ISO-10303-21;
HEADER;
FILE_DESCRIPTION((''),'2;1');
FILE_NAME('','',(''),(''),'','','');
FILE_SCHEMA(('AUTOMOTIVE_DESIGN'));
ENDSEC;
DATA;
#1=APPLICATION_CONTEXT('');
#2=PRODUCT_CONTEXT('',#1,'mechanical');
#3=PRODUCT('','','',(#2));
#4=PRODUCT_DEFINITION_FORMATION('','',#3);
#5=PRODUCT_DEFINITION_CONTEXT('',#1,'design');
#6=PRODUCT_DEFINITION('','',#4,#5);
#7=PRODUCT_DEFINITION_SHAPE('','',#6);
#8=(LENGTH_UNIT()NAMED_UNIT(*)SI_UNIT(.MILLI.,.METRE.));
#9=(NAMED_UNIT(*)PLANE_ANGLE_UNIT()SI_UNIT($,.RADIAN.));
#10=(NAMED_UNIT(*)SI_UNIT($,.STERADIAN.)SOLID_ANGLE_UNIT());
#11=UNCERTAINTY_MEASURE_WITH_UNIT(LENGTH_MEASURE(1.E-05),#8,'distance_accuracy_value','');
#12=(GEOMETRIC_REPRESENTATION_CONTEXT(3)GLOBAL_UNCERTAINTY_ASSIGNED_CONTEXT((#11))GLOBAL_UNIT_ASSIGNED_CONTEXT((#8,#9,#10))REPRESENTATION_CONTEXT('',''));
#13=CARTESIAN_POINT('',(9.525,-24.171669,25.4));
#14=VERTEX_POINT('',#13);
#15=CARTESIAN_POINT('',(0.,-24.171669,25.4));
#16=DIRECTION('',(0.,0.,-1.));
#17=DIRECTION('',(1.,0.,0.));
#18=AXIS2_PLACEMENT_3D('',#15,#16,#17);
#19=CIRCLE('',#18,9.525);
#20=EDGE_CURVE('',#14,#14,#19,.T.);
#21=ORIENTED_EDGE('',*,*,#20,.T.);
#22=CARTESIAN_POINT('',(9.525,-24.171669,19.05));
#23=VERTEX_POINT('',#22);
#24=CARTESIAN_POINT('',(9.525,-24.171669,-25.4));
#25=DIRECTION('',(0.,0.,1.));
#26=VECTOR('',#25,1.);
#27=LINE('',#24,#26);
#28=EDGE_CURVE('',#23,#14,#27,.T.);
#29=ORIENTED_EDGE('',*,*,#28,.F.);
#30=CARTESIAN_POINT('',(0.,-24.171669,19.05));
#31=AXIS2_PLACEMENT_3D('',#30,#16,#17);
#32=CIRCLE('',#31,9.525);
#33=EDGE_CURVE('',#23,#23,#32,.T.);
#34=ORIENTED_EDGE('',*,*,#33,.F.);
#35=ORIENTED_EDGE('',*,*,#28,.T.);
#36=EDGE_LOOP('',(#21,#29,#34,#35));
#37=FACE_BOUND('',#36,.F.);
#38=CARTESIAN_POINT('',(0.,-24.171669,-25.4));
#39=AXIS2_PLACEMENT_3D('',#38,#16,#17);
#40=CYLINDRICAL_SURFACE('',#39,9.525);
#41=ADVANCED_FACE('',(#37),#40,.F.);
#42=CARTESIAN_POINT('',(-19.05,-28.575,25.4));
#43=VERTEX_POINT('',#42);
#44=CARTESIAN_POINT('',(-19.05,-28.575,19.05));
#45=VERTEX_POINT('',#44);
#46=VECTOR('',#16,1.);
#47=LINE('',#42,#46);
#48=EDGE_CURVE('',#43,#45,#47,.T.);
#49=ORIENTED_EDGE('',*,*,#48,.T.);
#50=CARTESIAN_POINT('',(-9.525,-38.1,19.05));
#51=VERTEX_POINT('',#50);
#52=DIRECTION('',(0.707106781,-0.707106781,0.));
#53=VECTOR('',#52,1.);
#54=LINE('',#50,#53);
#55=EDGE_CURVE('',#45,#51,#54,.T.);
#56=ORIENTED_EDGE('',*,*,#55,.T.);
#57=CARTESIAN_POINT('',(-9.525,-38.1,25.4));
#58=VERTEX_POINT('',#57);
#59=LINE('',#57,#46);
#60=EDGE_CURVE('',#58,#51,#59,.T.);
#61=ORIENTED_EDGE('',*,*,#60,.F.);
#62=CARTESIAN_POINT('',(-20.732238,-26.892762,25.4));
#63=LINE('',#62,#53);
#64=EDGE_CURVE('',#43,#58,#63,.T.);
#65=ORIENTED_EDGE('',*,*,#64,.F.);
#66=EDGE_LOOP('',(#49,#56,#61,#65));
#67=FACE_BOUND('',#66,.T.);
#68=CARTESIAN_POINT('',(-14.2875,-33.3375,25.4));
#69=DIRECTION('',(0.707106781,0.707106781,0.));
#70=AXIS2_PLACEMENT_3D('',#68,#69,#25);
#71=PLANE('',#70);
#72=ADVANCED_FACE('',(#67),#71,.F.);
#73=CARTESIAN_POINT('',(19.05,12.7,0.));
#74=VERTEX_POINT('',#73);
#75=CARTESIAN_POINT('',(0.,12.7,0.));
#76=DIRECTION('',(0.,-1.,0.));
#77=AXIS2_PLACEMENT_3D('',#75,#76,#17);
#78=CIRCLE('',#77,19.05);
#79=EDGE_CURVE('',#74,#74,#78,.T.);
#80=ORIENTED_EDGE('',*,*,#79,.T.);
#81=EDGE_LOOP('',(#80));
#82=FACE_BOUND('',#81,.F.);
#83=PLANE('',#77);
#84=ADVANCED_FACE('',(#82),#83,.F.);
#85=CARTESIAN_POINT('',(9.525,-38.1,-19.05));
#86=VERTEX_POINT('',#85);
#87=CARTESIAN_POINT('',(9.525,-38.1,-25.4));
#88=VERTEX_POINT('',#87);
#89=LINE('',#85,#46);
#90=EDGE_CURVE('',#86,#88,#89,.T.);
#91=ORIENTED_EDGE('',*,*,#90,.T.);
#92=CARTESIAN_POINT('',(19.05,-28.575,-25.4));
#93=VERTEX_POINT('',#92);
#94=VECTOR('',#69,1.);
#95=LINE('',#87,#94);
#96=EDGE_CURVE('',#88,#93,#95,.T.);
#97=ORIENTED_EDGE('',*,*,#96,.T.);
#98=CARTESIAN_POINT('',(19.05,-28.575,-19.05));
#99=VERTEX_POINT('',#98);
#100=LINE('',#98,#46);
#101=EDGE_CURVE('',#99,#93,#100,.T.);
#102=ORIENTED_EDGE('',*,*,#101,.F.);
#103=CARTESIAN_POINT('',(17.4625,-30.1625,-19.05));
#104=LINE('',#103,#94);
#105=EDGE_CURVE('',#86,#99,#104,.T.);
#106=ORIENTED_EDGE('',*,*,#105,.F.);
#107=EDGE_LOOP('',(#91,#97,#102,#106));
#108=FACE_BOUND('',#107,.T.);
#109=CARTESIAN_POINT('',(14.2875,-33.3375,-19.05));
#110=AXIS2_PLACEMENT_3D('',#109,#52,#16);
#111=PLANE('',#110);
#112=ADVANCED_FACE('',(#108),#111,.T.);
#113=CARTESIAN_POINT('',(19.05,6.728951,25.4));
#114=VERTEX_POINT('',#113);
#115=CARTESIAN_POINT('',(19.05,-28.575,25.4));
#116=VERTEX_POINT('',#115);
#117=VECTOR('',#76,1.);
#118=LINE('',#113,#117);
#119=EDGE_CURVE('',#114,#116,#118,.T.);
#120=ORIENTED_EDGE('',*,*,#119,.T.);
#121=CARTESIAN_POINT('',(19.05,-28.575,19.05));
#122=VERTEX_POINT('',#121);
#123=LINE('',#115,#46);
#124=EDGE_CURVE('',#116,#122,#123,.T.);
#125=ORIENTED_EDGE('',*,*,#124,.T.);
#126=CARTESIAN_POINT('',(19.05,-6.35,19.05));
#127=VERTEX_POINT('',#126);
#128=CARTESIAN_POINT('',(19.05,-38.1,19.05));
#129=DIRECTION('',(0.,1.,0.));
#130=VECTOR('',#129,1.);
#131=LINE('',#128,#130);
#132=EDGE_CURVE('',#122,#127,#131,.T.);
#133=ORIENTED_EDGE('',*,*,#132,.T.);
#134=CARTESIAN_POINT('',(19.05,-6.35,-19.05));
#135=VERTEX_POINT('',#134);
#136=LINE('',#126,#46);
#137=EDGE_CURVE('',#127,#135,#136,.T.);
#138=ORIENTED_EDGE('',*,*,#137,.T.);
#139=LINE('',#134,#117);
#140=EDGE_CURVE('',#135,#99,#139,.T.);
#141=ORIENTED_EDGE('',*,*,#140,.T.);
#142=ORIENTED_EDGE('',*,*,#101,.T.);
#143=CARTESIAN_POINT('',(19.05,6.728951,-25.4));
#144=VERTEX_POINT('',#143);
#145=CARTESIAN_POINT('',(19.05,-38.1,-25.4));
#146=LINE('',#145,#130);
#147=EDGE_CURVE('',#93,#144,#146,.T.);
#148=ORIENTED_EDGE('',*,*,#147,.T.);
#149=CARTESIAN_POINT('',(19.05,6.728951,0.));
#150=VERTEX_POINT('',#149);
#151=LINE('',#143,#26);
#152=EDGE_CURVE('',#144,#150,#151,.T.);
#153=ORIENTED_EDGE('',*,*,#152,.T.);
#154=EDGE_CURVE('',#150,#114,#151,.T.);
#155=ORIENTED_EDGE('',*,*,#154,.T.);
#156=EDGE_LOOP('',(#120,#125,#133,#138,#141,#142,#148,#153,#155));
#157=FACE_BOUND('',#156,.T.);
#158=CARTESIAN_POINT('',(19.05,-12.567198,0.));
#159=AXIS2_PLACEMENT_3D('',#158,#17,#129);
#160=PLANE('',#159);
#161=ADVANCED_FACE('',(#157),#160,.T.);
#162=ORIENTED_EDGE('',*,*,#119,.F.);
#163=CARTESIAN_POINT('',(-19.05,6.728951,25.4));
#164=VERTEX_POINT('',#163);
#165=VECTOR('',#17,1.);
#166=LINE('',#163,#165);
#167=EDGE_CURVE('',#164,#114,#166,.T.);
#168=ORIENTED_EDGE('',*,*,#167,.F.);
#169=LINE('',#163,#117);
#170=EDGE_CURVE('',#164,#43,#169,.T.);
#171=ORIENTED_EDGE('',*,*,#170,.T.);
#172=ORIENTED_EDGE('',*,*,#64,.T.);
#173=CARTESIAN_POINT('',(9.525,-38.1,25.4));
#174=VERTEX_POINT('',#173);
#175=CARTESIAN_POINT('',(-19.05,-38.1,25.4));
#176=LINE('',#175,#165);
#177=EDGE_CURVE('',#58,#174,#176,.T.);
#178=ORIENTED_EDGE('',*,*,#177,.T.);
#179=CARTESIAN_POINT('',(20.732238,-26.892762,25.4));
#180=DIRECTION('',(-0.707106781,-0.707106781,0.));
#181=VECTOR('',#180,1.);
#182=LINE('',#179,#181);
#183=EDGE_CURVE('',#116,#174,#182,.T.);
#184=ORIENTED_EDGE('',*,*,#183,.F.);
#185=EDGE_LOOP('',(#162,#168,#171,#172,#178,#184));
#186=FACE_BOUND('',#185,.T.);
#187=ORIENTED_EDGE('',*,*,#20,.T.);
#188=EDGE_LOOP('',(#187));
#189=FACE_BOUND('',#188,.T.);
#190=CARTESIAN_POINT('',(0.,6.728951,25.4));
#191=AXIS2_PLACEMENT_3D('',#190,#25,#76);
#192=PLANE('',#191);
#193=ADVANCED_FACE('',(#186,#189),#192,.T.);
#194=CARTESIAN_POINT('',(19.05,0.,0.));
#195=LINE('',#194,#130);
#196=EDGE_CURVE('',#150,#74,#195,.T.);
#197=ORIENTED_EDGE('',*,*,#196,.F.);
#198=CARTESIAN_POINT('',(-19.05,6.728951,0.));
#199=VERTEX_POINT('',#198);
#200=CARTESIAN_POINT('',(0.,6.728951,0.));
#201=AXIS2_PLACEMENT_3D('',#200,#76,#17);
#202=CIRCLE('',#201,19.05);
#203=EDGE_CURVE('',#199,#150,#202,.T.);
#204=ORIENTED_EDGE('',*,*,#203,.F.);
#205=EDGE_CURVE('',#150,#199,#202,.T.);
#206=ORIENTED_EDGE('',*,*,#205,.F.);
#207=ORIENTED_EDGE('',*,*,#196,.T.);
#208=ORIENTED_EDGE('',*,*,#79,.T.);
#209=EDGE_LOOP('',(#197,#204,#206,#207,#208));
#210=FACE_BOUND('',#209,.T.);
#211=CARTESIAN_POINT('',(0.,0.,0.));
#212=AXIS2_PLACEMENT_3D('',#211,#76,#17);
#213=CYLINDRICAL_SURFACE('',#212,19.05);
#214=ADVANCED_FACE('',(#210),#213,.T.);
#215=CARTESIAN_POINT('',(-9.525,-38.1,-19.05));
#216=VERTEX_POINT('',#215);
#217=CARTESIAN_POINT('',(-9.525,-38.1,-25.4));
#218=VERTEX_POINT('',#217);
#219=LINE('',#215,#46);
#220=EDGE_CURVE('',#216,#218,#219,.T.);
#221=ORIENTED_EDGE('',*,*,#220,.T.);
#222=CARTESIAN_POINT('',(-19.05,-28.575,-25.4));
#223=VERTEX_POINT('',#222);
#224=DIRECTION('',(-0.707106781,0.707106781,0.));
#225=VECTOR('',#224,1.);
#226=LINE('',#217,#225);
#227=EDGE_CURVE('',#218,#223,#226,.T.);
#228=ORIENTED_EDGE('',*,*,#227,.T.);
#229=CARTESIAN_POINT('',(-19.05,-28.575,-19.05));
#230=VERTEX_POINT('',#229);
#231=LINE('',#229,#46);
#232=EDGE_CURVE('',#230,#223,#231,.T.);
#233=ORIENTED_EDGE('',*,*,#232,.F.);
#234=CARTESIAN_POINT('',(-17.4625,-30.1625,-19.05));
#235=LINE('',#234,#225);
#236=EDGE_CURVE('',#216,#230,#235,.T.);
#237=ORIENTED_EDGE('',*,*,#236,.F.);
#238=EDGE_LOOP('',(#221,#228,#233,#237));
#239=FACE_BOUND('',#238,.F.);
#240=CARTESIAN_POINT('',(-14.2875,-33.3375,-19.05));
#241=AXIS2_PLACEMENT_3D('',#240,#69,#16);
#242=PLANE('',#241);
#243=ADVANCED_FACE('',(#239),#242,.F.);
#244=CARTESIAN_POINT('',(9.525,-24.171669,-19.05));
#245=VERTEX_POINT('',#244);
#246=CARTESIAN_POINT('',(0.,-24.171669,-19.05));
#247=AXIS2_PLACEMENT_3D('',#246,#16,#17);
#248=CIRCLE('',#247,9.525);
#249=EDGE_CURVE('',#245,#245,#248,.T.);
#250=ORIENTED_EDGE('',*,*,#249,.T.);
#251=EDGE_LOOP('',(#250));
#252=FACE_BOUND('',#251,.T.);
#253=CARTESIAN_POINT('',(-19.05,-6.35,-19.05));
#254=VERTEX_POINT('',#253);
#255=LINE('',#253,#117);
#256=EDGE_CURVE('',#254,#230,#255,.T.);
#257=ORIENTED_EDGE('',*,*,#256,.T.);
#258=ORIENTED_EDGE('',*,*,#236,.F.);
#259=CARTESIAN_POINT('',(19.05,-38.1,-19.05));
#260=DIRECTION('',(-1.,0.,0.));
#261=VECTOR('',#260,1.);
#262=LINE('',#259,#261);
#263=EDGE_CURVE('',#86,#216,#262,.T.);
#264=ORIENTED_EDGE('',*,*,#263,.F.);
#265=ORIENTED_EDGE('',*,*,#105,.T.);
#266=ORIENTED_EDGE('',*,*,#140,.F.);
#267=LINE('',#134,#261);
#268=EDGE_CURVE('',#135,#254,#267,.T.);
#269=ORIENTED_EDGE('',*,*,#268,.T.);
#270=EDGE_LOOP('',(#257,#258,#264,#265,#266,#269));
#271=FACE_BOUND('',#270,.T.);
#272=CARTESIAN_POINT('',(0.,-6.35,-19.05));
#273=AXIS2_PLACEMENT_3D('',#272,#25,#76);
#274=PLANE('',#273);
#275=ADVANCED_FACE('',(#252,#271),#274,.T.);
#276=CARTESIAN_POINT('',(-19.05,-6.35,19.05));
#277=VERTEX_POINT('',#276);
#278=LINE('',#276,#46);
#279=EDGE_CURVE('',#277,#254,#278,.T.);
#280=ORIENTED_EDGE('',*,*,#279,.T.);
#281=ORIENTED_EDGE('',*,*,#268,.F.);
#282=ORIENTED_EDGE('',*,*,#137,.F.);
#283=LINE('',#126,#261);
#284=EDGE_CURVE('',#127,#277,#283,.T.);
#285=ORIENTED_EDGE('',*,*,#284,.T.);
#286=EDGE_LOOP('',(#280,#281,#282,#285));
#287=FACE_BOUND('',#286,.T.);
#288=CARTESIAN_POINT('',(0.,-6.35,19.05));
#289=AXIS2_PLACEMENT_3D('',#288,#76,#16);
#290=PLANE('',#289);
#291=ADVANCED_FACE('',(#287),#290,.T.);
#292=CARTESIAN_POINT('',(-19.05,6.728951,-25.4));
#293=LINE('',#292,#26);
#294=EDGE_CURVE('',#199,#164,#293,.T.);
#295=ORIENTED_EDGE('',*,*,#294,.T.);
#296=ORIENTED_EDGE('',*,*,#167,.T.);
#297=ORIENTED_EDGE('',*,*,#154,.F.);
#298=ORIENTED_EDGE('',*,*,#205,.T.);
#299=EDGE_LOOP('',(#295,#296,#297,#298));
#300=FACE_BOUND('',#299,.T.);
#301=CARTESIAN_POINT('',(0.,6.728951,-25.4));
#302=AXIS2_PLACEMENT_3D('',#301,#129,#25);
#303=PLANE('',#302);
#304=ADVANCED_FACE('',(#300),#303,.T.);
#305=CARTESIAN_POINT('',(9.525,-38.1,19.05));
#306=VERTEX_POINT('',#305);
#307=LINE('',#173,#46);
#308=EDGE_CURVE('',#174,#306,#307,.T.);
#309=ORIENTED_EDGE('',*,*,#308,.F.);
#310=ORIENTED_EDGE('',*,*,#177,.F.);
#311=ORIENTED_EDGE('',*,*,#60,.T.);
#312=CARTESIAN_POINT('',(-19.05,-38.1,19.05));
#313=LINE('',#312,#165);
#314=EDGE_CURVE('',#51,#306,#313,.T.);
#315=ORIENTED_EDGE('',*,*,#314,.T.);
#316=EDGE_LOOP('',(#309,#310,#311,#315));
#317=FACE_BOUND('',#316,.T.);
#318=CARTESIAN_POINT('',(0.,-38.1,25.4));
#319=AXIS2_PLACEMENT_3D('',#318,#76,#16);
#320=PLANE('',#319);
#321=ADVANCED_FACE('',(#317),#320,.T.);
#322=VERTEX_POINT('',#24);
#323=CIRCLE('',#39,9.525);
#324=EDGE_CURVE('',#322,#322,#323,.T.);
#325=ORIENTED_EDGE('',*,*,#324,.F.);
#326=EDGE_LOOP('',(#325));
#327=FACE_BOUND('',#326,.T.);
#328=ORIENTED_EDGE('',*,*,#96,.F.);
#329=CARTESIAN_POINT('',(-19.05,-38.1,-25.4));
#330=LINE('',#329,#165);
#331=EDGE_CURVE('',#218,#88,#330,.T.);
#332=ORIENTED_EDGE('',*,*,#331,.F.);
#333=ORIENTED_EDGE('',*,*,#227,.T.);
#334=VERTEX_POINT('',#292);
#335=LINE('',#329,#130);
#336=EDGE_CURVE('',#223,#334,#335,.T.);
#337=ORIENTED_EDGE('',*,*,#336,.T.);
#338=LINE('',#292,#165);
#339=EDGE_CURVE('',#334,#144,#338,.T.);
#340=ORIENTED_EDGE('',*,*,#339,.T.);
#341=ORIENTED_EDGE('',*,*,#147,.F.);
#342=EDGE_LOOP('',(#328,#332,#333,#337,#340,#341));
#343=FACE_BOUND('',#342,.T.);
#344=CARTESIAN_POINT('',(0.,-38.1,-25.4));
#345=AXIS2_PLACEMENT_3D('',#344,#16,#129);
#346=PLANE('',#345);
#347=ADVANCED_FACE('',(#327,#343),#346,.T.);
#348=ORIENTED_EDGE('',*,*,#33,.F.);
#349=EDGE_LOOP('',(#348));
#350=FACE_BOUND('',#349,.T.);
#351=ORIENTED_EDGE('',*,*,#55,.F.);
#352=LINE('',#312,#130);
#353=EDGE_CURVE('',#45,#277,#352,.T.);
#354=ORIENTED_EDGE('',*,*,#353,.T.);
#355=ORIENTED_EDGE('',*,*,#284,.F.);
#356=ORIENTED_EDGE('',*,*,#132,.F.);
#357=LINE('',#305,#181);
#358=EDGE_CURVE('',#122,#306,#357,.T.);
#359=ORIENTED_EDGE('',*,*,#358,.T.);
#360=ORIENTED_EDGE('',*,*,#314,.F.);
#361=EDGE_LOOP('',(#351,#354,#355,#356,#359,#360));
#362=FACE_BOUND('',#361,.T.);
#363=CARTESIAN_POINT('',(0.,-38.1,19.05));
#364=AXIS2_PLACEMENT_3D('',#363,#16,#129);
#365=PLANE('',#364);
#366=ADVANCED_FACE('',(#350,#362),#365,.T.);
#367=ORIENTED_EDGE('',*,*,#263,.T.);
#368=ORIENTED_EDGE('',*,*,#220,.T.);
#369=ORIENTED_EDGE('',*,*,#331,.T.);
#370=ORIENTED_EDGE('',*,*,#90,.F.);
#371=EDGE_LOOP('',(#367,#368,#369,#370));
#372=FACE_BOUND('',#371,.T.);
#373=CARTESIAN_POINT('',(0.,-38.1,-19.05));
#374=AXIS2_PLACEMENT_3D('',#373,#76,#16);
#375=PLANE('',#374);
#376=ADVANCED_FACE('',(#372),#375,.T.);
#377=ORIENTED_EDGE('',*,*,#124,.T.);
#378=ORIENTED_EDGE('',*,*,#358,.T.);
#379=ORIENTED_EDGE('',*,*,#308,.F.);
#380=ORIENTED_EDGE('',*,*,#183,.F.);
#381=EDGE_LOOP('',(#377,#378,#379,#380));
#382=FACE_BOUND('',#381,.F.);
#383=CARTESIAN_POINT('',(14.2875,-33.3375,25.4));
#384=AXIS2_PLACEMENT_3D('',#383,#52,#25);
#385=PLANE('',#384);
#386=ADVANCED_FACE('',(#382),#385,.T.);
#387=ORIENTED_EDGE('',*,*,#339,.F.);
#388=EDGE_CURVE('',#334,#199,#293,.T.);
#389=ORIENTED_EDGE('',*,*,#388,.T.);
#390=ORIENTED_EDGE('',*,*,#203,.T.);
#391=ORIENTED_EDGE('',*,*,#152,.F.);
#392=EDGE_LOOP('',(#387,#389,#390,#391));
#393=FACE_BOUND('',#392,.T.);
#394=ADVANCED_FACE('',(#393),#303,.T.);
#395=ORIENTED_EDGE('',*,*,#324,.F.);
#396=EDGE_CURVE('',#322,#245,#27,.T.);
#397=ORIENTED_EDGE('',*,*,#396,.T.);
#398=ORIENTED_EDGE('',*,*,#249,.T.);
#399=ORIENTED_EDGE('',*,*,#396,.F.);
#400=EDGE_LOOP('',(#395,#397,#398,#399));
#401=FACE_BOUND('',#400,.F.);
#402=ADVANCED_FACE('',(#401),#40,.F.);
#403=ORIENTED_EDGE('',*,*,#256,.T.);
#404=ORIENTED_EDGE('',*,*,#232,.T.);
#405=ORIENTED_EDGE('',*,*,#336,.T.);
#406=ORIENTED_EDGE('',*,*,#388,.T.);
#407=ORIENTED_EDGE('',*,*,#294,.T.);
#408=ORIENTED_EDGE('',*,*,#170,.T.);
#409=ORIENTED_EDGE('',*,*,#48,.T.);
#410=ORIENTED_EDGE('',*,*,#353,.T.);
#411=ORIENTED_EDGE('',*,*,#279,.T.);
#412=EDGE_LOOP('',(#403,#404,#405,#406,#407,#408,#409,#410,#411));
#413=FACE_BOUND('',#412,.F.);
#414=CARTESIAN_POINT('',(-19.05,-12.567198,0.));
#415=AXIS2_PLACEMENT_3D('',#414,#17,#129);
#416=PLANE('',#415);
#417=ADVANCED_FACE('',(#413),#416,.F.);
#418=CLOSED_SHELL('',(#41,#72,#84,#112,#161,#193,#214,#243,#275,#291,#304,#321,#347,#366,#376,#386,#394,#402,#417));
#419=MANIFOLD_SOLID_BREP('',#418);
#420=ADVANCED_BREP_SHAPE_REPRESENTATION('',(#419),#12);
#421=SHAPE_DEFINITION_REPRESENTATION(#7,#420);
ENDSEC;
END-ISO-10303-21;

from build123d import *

# Parameters (mm, degrees)
F2_DEPTH = 19.05
F3_R     = 9.525
F4_DEPTH = 50.801
F5_SIZE  = 9.525
F0_R     = 19.05
F6_DEPTH = 12.7


with BuildPart() as f2:
    # F1 (on Right) → F2 (new body, symmetric)
    with BuildSketch(Plane.YZ):
        Polygon((-38.1, -19.05), (-38.1, -25.4), (6.7289513536, -25.4), (6.7289513536, 25.4), (-38.1, 25.4), (-38.1, 19.05), (-6.35, 19.05), (-6.35, -19.05), align=None)
    extrude(amount=F2_DEPTH, both=True)

    # F3 (on face) → F4 (cut, through all)
    with BuildSketch(Plane(origin=(0, 0, -25.4), x_dir=(1, 0, 0), z_dir=(0, 0, -1))):
        with Locations((0, 24.1716690361)):
            Circle(F3_R)
    extrude(amount=-F4_DEPTH, mode=Mode.SUBTRACT)

    # F5
    f5_edges = [f2.edges().sort_by_distance(p)[0] for p in [
        (-19.05, -38.1, 22.225),
        (19.05, -38.1, 22.225),
        (-19.05, -38.1, -22.225),
        (19.05, -38.1, -22.225),
    ]]
    chamfer(f5_edges, length=F5_SIZE)

    # F0 (on Front) → F6 (join)
    with BuildSketch(Plane.XZ):
        Circle(F0_R)
    extrude(amount=-F6_DEPTH)


solid = f2.part
